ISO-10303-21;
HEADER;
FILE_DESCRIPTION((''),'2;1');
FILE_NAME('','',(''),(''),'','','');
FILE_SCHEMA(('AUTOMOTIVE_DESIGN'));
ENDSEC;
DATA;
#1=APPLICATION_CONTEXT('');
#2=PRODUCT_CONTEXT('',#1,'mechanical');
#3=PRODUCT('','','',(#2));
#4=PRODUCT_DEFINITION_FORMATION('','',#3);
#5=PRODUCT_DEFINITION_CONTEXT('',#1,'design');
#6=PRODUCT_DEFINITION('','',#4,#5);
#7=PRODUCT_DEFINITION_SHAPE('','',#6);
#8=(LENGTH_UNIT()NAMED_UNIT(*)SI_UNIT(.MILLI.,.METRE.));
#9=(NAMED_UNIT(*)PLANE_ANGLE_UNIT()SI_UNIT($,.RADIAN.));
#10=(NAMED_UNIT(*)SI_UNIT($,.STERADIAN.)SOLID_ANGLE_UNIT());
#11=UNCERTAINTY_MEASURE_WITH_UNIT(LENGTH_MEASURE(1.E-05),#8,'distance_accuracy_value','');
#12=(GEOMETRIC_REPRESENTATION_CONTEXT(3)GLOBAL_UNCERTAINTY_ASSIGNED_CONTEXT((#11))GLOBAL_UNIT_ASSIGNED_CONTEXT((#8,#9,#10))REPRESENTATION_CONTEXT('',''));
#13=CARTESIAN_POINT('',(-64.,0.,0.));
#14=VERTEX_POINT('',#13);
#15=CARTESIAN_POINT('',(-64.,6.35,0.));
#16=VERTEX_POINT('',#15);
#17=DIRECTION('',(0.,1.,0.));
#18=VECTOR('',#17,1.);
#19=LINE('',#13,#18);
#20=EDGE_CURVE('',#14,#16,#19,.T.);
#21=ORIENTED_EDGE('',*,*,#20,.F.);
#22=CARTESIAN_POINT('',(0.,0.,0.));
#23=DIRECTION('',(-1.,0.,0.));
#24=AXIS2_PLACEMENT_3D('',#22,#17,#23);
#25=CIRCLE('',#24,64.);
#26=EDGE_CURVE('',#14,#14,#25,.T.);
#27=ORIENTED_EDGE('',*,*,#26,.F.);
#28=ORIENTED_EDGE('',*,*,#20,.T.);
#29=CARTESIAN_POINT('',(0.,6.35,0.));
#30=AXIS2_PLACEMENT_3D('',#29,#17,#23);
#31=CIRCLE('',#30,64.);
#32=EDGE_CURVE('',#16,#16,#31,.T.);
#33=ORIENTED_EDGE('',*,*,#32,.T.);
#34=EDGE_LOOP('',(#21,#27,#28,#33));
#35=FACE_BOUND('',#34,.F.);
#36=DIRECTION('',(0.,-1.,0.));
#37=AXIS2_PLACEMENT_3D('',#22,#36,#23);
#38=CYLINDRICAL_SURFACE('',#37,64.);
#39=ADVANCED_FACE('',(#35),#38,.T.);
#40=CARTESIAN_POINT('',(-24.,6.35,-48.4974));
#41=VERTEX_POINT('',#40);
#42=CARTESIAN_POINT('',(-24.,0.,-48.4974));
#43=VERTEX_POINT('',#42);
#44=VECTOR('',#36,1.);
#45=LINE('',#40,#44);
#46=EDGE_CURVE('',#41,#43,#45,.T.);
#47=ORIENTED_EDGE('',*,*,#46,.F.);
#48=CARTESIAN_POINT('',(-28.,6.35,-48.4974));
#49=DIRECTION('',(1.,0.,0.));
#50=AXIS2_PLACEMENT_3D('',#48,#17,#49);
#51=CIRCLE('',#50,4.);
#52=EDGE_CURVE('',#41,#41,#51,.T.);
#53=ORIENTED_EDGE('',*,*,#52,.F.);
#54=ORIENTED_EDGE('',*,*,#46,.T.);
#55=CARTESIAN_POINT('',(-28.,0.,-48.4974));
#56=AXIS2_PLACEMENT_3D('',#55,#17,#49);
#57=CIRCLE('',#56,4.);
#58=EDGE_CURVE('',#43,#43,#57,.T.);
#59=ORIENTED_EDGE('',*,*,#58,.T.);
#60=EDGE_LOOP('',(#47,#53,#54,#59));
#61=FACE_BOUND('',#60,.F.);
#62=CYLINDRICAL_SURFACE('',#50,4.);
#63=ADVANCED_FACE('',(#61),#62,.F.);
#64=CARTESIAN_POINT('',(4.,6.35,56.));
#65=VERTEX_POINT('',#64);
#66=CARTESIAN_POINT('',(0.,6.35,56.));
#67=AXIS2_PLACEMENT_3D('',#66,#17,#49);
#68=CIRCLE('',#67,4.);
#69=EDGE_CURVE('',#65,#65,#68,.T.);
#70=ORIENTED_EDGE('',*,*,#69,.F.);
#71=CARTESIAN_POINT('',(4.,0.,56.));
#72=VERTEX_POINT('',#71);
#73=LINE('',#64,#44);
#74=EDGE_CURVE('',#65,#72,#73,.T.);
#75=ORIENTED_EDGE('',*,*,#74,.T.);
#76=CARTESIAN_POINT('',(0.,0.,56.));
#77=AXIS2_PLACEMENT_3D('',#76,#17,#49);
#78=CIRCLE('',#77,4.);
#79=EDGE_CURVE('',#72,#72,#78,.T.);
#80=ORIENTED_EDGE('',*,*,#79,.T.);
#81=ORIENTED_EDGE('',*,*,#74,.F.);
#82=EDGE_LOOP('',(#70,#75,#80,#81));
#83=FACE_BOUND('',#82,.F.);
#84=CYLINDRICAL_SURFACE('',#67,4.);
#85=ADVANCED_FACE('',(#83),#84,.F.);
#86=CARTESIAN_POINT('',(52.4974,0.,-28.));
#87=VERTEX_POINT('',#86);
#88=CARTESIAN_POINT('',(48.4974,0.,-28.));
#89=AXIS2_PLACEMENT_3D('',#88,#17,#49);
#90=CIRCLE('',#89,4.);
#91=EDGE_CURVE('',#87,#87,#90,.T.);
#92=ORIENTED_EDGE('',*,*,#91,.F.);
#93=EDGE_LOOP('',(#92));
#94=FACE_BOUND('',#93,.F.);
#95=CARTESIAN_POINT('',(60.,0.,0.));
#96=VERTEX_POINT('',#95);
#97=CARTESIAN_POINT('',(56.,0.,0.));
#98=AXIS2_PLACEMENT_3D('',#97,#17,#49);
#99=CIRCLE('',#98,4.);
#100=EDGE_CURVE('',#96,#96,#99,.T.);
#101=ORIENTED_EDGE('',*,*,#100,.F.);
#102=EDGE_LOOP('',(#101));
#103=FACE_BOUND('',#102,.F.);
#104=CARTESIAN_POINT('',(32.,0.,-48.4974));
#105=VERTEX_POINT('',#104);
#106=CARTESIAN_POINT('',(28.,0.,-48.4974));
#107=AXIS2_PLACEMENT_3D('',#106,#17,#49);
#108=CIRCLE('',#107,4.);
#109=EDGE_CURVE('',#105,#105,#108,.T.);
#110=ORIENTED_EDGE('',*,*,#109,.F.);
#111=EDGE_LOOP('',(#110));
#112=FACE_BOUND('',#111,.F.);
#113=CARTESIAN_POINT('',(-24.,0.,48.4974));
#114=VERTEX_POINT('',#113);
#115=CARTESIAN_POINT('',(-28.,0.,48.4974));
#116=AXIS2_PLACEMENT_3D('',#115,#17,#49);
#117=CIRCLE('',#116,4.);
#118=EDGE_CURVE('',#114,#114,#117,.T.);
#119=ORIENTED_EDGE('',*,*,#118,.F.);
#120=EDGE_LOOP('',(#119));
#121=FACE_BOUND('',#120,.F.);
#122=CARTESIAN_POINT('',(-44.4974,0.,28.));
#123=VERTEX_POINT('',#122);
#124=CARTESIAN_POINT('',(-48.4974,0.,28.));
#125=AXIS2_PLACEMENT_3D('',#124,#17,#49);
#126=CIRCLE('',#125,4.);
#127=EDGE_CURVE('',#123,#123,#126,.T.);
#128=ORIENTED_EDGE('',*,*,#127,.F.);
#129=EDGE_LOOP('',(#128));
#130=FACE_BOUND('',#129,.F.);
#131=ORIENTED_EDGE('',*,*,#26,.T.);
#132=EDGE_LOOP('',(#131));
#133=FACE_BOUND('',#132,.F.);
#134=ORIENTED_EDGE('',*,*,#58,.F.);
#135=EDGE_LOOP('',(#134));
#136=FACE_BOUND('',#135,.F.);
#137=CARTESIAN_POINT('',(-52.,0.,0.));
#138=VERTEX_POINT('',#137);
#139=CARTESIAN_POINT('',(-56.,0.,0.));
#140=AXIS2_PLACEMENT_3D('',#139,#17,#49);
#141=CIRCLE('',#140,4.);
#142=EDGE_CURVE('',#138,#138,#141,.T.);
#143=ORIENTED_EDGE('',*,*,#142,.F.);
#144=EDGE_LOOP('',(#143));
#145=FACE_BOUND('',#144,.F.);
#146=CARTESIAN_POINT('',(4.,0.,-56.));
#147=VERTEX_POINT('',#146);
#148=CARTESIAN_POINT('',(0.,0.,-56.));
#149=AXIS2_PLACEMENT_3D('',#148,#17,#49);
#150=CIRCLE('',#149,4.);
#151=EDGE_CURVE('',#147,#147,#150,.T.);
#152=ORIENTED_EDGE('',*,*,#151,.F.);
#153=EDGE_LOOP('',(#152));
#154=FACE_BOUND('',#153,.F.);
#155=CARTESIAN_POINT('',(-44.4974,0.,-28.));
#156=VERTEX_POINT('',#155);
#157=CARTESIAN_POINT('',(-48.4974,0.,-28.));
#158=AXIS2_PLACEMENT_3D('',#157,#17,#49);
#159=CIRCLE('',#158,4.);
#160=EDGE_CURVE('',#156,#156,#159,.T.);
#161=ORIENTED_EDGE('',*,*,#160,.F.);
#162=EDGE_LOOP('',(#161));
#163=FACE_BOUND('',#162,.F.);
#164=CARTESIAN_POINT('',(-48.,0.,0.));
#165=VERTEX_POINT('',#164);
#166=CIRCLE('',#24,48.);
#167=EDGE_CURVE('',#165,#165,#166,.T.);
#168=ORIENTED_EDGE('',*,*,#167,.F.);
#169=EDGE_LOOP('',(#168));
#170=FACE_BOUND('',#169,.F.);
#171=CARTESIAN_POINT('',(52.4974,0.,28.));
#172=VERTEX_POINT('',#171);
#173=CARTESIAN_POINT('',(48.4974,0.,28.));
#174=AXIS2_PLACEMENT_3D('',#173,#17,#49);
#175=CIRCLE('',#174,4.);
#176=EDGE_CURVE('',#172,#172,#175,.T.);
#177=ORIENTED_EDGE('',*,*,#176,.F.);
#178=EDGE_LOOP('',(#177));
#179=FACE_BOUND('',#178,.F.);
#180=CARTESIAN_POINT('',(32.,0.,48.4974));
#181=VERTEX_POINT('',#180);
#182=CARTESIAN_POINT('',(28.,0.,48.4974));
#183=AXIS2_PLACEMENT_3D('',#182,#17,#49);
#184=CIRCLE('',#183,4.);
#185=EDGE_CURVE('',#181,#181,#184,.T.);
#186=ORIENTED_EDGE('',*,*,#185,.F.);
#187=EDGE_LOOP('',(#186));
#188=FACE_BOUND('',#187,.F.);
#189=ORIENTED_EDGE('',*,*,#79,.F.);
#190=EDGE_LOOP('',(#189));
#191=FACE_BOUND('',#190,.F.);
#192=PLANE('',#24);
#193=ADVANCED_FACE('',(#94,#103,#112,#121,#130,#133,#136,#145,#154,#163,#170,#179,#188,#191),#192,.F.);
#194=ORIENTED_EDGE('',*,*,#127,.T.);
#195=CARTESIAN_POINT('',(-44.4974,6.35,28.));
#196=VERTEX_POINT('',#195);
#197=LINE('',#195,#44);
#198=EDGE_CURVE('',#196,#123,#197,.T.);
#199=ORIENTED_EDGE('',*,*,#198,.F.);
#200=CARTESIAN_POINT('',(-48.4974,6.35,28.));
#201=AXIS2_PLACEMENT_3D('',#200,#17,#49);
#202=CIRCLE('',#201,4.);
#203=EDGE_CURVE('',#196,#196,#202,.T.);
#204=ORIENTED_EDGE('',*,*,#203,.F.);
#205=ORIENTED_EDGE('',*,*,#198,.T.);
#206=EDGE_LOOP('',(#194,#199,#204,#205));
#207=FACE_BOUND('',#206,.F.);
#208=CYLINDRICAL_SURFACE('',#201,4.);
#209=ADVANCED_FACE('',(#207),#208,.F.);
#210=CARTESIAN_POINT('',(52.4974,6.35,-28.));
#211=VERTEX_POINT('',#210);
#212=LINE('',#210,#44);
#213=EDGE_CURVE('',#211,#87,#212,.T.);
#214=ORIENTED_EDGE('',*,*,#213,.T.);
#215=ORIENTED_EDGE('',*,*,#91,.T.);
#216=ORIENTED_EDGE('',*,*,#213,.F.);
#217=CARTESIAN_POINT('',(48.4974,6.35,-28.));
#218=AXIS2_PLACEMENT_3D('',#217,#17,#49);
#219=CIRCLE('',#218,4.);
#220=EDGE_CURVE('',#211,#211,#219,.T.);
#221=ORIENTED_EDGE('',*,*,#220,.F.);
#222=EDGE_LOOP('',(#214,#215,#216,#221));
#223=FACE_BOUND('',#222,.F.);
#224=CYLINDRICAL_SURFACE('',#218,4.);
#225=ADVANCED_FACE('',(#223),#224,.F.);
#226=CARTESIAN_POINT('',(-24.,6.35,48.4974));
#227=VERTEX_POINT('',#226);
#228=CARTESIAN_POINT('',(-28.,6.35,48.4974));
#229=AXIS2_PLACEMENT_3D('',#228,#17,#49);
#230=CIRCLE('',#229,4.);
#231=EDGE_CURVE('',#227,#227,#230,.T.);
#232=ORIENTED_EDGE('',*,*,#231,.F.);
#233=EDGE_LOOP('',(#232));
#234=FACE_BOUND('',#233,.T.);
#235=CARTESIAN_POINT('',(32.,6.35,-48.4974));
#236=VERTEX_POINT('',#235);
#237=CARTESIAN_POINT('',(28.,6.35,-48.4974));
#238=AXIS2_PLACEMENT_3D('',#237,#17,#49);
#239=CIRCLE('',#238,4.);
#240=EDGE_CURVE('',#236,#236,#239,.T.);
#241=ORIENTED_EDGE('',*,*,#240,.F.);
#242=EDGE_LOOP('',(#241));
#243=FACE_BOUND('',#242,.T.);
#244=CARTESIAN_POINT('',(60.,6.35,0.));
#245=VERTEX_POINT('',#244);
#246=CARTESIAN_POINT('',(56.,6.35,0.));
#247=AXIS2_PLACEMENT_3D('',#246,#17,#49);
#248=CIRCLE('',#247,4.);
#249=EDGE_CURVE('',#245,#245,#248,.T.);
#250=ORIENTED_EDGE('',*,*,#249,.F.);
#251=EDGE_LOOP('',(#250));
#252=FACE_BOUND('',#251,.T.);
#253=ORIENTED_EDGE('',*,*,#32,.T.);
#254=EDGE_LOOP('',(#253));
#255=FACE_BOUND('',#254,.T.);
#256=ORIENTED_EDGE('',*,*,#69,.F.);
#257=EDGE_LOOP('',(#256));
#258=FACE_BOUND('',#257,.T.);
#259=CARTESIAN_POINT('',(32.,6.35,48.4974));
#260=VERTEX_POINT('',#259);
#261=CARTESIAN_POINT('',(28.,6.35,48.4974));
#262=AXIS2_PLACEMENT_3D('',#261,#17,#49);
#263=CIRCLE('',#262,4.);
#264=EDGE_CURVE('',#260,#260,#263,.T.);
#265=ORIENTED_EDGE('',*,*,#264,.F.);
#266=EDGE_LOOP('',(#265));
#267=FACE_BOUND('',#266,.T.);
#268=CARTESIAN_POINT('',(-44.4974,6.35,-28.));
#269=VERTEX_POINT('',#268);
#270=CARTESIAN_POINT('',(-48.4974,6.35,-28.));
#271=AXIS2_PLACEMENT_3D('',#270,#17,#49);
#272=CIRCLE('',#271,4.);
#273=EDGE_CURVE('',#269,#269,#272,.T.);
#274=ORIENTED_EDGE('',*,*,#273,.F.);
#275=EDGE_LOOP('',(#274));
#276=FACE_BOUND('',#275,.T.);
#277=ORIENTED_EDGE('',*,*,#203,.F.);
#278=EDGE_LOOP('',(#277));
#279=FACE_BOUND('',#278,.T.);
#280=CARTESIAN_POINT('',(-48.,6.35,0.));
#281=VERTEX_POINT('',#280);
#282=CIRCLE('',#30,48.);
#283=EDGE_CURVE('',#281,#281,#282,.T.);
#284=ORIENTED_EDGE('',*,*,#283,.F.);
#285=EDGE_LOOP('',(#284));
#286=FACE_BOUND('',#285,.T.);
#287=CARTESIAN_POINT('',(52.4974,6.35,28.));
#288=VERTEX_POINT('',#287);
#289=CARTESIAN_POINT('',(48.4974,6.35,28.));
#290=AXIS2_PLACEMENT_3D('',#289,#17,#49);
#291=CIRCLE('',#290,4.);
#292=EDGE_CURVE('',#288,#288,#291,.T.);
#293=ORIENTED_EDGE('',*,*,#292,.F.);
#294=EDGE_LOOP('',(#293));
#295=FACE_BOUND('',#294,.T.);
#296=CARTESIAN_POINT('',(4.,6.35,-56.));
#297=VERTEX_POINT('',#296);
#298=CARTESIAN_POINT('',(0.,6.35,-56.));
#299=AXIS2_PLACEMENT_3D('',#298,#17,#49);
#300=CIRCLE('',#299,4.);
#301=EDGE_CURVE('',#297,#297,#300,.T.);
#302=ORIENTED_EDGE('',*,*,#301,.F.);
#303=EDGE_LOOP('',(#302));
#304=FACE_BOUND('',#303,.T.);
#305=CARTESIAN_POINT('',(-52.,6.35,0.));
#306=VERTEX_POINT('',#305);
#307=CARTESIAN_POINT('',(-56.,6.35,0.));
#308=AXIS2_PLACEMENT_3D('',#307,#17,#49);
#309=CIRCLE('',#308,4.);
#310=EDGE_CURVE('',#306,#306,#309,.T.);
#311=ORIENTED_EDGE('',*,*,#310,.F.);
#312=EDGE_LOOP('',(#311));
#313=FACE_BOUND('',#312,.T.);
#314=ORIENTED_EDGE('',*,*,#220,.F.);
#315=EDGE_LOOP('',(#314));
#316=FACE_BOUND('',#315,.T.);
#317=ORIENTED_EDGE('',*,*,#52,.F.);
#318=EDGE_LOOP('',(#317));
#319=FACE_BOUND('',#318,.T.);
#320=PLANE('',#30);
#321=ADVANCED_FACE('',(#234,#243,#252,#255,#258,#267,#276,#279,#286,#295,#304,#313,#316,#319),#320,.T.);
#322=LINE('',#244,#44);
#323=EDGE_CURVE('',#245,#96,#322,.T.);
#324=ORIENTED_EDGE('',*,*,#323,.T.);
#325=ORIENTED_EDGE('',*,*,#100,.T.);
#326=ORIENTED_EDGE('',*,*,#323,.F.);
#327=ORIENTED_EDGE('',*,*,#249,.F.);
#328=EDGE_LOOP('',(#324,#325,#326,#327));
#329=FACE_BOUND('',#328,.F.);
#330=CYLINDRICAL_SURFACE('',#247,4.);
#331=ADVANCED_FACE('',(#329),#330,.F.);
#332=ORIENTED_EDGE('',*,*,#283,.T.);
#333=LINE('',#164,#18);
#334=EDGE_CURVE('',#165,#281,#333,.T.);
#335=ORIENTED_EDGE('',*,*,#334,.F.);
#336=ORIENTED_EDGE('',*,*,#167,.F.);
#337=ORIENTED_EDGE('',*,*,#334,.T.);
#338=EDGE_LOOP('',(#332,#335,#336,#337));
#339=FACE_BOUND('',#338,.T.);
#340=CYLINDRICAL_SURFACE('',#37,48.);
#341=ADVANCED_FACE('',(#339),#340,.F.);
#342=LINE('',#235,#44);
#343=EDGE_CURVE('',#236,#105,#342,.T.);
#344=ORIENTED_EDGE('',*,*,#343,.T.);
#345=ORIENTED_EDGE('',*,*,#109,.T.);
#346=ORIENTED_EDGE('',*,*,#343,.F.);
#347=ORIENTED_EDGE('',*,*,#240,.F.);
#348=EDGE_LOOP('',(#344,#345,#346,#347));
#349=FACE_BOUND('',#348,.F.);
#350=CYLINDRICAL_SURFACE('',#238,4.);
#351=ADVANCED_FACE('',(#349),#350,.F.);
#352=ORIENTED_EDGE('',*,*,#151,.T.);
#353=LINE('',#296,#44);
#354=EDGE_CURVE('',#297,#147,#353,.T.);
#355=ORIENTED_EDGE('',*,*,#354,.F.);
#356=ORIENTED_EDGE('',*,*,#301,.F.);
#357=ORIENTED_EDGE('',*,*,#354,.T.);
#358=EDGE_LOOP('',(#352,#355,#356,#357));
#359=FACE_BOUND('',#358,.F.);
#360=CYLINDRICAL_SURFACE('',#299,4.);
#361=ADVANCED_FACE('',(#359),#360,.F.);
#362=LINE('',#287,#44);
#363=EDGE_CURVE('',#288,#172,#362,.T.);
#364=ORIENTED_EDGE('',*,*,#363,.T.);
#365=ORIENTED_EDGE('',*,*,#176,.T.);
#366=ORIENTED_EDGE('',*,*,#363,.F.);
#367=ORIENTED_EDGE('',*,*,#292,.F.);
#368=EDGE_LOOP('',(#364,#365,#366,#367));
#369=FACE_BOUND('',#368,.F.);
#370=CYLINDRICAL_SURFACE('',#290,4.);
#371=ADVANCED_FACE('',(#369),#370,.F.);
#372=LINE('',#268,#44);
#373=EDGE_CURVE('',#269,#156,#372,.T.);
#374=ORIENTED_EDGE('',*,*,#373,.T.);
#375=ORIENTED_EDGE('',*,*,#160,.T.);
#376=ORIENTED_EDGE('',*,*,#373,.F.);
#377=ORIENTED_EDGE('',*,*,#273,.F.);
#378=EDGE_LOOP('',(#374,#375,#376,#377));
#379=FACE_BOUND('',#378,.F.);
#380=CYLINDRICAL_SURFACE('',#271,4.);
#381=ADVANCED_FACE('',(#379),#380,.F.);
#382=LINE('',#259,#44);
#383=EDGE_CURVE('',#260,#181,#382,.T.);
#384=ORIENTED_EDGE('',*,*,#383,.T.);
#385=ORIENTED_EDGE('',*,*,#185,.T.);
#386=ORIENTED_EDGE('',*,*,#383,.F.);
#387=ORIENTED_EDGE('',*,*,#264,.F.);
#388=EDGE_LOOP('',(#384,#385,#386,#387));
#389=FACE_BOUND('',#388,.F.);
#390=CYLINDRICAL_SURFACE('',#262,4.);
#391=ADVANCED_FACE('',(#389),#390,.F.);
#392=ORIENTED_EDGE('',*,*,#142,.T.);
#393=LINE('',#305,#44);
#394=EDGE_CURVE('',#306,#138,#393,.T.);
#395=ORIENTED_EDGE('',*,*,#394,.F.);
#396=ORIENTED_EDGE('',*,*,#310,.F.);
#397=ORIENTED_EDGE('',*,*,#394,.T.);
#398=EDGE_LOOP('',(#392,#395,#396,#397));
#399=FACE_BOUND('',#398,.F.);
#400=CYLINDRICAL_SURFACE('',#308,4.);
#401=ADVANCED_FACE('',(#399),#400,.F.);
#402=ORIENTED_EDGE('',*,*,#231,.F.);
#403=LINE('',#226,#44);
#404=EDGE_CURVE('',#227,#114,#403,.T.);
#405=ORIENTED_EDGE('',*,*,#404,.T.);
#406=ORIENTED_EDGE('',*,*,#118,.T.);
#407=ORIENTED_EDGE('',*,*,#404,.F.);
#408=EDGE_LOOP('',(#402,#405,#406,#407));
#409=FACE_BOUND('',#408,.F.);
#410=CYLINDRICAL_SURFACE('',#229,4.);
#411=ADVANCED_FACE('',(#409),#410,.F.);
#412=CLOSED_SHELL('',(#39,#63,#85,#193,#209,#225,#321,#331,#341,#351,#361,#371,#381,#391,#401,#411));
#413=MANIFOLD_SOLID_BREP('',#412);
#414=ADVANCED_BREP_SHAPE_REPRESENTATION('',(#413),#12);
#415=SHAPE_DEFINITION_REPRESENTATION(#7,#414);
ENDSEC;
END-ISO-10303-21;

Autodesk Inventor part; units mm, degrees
ref_plane "YZ Plane" through (0, 0, 0) normal (1, 0, 0) x (0, 1, 0)
ref_plane "XZ Plane" through (0, 0, 0) normal (0, 1, 0) x (-1, 0, 0)
ref_plane "XY Plane" through (0, 0, 0) normal (0, 0, 1) x (1, 0, 0)
sketch "Sketch1" plane through (0, 0, 0) normal (0, 1, 0) x (-1, 0, 0)
  circle A0 centre (0, 0) radius 64
  circle A1 centre (0, 0) radius 48
  dimension "d0" = 128
  dimension "d1" = 96
extrude "Extrusion1" add sketch "Sketch1" along normal blind 6.35
sketch "Sketch2" plane through (0, 6.35, 0) normal (0, 1, 0) x (1, 0, 0)
  circle A0 centre (0, 56) radius 4
  circle A1 centre (-28, 48.4974) radius 4
  circle A2 centre (-48.4974, 28) radius 4
  circle A3 centre (-56, 0) radius 4
  circle A4 centre (-48.4974, -28) radius 4
  circle A5 centre (-28, -48.4974) radius 4
  circle A6 centre (0, -56) radius 4
  circle A7 centre (28, -48.4974) radius 4
  circle A8 centre (48.4974, -28) radius 4
  circle A9 centre (56, 0) radius 4
  circle A10 centre (48.4974, 28) radius 4
  circle A11 centre (28, 48.4974) radius 4
  point P0 (0, 0)
  dimension "d4" = 8
  dimension "d5" = 56
  dimension "d8" = 360
extrude "Extrusion2" cut sketch "Sketch2" against normal through all
properties part number "TurnTableSpacerPlate"
